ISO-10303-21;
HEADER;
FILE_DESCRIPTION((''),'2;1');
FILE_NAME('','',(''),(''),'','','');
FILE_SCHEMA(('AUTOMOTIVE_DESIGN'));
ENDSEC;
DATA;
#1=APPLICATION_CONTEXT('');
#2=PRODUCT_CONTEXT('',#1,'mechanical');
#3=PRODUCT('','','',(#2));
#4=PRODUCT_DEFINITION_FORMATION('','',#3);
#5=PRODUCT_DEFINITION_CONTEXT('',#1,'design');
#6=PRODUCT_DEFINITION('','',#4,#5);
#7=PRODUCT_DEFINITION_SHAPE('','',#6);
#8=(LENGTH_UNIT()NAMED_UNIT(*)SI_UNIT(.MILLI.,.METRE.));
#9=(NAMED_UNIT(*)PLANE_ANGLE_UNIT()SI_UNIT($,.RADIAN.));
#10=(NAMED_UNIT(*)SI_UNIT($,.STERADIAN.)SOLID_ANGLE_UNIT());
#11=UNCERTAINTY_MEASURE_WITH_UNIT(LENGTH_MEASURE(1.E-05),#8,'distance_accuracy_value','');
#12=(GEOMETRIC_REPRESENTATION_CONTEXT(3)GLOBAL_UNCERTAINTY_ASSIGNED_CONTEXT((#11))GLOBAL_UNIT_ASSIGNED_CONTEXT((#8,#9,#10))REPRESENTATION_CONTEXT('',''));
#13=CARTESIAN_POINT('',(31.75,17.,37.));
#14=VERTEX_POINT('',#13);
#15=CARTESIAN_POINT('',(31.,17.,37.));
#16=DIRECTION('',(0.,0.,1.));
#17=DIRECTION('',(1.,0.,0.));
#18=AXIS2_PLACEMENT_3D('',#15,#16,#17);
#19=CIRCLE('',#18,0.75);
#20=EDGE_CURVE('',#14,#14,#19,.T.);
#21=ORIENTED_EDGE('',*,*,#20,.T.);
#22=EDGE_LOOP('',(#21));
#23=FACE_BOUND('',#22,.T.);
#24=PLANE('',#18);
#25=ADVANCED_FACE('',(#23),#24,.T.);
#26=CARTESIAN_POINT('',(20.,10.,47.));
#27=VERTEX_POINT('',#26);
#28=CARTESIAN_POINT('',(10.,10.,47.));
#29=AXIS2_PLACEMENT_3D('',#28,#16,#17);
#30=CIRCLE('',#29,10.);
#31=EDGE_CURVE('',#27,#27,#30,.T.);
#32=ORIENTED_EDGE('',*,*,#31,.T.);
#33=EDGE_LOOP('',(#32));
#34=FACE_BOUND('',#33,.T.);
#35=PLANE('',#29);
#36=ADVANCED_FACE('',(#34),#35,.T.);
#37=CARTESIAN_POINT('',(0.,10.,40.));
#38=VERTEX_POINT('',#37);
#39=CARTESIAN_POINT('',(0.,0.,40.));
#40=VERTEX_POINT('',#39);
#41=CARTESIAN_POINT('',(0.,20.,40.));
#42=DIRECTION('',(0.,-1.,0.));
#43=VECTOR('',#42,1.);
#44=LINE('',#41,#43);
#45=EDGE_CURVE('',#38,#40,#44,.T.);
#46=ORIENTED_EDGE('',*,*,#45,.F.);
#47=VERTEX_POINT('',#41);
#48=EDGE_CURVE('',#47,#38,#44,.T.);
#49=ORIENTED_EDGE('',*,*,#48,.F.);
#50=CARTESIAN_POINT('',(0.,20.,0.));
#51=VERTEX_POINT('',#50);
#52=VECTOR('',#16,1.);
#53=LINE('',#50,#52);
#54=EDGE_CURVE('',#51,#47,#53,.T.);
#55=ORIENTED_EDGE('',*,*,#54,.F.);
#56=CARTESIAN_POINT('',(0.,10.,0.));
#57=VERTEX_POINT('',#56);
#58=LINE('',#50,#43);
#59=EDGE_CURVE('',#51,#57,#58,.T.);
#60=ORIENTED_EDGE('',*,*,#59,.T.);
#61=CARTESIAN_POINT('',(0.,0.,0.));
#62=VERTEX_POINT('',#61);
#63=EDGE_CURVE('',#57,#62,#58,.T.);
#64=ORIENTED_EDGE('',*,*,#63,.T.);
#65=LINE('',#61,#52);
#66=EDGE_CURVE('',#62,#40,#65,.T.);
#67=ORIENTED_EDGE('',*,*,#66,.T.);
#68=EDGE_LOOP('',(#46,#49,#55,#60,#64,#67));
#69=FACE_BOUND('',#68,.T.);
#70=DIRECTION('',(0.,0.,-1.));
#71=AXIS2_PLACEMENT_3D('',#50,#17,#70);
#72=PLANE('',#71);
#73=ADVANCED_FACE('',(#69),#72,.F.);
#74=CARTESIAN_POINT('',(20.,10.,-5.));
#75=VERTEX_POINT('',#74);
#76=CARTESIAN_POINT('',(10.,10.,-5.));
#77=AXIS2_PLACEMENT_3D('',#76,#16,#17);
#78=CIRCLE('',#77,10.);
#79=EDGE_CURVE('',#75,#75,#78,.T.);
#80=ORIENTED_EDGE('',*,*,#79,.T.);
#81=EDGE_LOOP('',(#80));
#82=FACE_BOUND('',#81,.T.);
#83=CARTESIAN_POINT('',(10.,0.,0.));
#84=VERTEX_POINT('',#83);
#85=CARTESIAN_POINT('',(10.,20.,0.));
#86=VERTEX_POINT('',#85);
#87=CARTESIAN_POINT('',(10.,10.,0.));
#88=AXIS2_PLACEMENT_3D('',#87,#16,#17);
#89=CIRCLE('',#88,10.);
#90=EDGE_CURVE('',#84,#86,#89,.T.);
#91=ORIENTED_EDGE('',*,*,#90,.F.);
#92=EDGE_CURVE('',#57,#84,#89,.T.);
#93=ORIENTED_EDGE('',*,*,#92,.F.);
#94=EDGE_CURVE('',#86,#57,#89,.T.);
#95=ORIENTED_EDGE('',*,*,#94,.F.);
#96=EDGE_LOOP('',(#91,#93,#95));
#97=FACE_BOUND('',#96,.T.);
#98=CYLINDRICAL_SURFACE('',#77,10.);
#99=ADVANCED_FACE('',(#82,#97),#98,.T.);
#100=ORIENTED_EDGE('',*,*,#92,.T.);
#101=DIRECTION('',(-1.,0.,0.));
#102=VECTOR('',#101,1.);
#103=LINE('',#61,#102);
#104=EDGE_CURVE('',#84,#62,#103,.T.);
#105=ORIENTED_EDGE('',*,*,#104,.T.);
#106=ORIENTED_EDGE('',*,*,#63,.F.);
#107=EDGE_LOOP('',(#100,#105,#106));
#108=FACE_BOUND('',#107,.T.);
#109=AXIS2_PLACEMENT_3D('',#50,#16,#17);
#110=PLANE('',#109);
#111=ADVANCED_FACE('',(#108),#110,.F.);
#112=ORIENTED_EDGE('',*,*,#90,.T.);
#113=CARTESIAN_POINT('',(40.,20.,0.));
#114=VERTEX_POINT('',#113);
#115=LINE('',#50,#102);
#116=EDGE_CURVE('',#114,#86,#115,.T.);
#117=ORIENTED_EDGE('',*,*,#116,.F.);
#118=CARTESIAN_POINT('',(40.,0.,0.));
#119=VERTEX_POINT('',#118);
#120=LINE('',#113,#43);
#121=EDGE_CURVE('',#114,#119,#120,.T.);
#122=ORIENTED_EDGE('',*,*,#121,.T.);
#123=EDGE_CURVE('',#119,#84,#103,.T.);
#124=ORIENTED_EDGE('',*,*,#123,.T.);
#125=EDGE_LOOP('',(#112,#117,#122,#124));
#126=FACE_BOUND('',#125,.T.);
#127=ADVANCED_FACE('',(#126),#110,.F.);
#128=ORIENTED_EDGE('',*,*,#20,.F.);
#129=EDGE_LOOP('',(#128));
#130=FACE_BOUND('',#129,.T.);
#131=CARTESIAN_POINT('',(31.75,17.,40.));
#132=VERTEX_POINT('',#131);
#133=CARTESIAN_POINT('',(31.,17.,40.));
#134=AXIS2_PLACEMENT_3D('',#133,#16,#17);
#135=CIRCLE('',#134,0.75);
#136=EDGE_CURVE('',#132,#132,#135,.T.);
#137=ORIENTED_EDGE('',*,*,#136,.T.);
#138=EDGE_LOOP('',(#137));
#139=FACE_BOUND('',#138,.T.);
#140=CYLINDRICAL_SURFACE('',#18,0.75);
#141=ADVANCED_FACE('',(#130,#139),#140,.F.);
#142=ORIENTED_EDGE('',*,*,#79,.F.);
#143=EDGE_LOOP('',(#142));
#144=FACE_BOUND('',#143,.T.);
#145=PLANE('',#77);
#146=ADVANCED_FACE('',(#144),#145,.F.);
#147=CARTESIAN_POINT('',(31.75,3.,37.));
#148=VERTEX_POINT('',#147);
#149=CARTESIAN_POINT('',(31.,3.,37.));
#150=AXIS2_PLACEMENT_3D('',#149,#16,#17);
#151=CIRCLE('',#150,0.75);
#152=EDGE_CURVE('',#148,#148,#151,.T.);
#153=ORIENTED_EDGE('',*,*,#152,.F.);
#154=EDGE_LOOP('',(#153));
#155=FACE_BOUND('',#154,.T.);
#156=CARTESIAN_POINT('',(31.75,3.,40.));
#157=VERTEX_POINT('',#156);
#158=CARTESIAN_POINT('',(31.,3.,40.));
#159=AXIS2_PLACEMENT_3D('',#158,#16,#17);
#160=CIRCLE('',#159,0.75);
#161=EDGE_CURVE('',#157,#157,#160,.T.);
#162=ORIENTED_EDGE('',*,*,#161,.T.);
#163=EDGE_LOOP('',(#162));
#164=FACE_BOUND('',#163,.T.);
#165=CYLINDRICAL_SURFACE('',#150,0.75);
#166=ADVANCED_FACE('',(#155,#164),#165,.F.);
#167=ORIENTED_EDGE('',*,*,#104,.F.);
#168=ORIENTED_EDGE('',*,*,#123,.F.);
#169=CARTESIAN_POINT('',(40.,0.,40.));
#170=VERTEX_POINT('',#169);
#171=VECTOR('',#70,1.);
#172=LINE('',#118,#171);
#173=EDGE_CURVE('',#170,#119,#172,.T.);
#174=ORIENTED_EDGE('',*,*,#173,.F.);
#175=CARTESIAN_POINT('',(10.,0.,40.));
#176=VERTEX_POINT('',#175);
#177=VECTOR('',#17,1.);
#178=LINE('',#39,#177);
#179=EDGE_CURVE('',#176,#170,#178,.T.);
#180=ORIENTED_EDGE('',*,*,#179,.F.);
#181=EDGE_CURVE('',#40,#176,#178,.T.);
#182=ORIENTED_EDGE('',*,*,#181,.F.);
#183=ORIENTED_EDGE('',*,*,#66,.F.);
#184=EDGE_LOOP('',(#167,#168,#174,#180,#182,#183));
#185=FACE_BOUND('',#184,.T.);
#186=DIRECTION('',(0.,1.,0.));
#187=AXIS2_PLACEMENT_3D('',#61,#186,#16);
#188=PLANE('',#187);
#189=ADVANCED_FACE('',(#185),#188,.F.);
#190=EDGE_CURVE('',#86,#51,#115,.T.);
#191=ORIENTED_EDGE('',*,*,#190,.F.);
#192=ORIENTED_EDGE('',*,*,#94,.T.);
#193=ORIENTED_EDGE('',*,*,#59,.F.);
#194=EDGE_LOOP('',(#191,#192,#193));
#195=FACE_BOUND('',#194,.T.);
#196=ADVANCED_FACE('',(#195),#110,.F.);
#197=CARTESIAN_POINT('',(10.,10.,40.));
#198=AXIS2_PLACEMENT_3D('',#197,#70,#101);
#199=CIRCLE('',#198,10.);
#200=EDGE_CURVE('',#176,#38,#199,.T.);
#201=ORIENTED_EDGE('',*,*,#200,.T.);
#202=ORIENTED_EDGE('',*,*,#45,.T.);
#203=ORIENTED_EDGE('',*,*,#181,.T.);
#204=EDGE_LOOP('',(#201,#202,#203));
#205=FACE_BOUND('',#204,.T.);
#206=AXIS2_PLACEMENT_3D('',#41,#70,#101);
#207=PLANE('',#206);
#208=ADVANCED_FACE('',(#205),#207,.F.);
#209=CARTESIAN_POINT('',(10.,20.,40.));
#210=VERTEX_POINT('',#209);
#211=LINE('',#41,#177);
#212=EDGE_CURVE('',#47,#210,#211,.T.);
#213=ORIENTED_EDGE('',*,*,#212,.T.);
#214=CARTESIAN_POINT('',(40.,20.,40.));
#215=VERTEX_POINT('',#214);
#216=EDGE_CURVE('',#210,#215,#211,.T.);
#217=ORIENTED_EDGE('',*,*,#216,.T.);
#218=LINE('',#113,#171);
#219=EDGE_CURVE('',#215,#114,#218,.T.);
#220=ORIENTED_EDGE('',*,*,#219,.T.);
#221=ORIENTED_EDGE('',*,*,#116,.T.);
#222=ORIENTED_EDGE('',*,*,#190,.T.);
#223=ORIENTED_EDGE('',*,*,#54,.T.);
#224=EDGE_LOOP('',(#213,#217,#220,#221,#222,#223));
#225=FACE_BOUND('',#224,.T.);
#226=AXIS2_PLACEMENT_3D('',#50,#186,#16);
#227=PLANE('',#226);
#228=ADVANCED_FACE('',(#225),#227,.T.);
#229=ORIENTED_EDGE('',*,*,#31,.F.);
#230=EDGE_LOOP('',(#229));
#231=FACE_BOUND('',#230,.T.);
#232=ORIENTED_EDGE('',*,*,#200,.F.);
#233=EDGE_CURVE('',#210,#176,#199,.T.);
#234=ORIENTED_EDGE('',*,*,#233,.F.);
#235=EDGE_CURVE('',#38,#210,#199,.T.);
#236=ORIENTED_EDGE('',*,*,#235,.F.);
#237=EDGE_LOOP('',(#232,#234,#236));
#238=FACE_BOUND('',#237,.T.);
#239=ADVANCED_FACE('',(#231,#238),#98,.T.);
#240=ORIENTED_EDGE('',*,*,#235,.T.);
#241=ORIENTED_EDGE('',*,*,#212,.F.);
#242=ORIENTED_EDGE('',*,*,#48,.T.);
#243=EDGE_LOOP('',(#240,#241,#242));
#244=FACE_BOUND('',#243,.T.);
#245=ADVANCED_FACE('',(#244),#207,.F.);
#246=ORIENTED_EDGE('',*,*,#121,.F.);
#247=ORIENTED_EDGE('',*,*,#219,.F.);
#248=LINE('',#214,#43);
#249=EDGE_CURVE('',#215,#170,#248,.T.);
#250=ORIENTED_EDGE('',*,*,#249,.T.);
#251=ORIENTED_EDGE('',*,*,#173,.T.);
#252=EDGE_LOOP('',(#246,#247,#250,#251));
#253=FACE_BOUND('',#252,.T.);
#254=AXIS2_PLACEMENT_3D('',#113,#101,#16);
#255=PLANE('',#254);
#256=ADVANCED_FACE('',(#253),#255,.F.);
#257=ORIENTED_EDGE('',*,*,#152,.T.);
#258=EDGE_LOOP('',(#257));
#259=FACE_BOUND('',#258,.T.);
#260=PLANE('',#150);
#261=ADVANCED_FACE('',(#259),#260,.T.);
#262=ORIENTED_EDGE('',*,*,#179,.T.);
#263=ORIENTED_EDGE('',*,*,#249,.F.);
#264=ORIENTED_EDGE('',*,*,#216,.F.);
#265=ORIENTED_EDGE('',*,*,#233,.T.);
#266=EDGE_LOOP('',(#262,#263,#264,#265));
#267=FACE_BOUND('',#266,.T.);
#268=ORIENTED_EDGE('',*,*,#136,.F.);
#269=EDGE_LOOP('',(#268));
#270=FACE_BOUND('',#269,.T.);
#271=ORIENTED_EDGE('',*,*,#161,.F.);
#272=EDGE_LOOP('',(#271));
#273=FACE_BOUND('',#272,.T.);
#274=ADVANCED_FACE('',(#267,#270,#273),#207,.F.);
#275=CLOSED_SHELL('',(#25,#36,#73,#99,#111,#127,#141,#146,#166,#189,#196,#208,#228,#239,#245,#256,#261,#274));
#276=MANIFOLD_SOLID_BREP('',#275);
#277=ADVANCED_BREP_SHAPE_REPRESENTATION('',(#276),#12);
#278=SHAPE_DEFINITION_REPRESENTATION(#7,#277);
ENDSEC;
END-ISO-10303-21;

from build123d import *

# Parameters (mm, degrees)
SKETCH_1_W           = 40
SKETCH_1_H           = 40
EXTRUDE_1_DEPTH      = 20
EXTRUDE_2_DEPTH      = 7
EXTRUDE_2_DEPTH_BACK = 45
SKETCH_2_R           = 10
SKETCH_3_R           = 0.75
CUT_EXTRUDE_1_DEPTH  = 3


with BuildPart() as part:
    # 草图1 → 凸台-拉伸1 (new body)
    with BuildSketch(Plane(origin=(0, 0, 0), x_dir=(1, 0, 0), z_dir=(0, 1, 0))):
        with Locations((20, -20)):
            Rectangle(SKETCH_1_W, SKETCH_1_H)
    extrude(amount=EXTRUDE_1_DEPTH)

    # 草图2 → 凸台-拉伸2 (add, two sides: drawn at the far end of the back side and taken through both)
    with BuildSketch(Plane.XY.offset(40).offset(-EXTRUDE_2_DEPTH_BACK)):
        with Locations((10, 10)):
            Circle(SKETCH_2_R)
    extrude(amount=EXTRUDE_2_DEPTH + EXTRUDE_2_DEPTH_BACK)

    # 草图3 → 切除-拉伸1 (cut)
    with BuildSketch(Plane.XY.offset(40)):
        with Locations((31, 17)):
            Circle(SKETCH_3_R)
        with Locations((31, 3)):
            Circle(SKETCH_3_R)
    extrude(amount=-CUT_EXTRUDE_1_DEPTH, mode=Mode.SUBTRACT)


solid = part.part
